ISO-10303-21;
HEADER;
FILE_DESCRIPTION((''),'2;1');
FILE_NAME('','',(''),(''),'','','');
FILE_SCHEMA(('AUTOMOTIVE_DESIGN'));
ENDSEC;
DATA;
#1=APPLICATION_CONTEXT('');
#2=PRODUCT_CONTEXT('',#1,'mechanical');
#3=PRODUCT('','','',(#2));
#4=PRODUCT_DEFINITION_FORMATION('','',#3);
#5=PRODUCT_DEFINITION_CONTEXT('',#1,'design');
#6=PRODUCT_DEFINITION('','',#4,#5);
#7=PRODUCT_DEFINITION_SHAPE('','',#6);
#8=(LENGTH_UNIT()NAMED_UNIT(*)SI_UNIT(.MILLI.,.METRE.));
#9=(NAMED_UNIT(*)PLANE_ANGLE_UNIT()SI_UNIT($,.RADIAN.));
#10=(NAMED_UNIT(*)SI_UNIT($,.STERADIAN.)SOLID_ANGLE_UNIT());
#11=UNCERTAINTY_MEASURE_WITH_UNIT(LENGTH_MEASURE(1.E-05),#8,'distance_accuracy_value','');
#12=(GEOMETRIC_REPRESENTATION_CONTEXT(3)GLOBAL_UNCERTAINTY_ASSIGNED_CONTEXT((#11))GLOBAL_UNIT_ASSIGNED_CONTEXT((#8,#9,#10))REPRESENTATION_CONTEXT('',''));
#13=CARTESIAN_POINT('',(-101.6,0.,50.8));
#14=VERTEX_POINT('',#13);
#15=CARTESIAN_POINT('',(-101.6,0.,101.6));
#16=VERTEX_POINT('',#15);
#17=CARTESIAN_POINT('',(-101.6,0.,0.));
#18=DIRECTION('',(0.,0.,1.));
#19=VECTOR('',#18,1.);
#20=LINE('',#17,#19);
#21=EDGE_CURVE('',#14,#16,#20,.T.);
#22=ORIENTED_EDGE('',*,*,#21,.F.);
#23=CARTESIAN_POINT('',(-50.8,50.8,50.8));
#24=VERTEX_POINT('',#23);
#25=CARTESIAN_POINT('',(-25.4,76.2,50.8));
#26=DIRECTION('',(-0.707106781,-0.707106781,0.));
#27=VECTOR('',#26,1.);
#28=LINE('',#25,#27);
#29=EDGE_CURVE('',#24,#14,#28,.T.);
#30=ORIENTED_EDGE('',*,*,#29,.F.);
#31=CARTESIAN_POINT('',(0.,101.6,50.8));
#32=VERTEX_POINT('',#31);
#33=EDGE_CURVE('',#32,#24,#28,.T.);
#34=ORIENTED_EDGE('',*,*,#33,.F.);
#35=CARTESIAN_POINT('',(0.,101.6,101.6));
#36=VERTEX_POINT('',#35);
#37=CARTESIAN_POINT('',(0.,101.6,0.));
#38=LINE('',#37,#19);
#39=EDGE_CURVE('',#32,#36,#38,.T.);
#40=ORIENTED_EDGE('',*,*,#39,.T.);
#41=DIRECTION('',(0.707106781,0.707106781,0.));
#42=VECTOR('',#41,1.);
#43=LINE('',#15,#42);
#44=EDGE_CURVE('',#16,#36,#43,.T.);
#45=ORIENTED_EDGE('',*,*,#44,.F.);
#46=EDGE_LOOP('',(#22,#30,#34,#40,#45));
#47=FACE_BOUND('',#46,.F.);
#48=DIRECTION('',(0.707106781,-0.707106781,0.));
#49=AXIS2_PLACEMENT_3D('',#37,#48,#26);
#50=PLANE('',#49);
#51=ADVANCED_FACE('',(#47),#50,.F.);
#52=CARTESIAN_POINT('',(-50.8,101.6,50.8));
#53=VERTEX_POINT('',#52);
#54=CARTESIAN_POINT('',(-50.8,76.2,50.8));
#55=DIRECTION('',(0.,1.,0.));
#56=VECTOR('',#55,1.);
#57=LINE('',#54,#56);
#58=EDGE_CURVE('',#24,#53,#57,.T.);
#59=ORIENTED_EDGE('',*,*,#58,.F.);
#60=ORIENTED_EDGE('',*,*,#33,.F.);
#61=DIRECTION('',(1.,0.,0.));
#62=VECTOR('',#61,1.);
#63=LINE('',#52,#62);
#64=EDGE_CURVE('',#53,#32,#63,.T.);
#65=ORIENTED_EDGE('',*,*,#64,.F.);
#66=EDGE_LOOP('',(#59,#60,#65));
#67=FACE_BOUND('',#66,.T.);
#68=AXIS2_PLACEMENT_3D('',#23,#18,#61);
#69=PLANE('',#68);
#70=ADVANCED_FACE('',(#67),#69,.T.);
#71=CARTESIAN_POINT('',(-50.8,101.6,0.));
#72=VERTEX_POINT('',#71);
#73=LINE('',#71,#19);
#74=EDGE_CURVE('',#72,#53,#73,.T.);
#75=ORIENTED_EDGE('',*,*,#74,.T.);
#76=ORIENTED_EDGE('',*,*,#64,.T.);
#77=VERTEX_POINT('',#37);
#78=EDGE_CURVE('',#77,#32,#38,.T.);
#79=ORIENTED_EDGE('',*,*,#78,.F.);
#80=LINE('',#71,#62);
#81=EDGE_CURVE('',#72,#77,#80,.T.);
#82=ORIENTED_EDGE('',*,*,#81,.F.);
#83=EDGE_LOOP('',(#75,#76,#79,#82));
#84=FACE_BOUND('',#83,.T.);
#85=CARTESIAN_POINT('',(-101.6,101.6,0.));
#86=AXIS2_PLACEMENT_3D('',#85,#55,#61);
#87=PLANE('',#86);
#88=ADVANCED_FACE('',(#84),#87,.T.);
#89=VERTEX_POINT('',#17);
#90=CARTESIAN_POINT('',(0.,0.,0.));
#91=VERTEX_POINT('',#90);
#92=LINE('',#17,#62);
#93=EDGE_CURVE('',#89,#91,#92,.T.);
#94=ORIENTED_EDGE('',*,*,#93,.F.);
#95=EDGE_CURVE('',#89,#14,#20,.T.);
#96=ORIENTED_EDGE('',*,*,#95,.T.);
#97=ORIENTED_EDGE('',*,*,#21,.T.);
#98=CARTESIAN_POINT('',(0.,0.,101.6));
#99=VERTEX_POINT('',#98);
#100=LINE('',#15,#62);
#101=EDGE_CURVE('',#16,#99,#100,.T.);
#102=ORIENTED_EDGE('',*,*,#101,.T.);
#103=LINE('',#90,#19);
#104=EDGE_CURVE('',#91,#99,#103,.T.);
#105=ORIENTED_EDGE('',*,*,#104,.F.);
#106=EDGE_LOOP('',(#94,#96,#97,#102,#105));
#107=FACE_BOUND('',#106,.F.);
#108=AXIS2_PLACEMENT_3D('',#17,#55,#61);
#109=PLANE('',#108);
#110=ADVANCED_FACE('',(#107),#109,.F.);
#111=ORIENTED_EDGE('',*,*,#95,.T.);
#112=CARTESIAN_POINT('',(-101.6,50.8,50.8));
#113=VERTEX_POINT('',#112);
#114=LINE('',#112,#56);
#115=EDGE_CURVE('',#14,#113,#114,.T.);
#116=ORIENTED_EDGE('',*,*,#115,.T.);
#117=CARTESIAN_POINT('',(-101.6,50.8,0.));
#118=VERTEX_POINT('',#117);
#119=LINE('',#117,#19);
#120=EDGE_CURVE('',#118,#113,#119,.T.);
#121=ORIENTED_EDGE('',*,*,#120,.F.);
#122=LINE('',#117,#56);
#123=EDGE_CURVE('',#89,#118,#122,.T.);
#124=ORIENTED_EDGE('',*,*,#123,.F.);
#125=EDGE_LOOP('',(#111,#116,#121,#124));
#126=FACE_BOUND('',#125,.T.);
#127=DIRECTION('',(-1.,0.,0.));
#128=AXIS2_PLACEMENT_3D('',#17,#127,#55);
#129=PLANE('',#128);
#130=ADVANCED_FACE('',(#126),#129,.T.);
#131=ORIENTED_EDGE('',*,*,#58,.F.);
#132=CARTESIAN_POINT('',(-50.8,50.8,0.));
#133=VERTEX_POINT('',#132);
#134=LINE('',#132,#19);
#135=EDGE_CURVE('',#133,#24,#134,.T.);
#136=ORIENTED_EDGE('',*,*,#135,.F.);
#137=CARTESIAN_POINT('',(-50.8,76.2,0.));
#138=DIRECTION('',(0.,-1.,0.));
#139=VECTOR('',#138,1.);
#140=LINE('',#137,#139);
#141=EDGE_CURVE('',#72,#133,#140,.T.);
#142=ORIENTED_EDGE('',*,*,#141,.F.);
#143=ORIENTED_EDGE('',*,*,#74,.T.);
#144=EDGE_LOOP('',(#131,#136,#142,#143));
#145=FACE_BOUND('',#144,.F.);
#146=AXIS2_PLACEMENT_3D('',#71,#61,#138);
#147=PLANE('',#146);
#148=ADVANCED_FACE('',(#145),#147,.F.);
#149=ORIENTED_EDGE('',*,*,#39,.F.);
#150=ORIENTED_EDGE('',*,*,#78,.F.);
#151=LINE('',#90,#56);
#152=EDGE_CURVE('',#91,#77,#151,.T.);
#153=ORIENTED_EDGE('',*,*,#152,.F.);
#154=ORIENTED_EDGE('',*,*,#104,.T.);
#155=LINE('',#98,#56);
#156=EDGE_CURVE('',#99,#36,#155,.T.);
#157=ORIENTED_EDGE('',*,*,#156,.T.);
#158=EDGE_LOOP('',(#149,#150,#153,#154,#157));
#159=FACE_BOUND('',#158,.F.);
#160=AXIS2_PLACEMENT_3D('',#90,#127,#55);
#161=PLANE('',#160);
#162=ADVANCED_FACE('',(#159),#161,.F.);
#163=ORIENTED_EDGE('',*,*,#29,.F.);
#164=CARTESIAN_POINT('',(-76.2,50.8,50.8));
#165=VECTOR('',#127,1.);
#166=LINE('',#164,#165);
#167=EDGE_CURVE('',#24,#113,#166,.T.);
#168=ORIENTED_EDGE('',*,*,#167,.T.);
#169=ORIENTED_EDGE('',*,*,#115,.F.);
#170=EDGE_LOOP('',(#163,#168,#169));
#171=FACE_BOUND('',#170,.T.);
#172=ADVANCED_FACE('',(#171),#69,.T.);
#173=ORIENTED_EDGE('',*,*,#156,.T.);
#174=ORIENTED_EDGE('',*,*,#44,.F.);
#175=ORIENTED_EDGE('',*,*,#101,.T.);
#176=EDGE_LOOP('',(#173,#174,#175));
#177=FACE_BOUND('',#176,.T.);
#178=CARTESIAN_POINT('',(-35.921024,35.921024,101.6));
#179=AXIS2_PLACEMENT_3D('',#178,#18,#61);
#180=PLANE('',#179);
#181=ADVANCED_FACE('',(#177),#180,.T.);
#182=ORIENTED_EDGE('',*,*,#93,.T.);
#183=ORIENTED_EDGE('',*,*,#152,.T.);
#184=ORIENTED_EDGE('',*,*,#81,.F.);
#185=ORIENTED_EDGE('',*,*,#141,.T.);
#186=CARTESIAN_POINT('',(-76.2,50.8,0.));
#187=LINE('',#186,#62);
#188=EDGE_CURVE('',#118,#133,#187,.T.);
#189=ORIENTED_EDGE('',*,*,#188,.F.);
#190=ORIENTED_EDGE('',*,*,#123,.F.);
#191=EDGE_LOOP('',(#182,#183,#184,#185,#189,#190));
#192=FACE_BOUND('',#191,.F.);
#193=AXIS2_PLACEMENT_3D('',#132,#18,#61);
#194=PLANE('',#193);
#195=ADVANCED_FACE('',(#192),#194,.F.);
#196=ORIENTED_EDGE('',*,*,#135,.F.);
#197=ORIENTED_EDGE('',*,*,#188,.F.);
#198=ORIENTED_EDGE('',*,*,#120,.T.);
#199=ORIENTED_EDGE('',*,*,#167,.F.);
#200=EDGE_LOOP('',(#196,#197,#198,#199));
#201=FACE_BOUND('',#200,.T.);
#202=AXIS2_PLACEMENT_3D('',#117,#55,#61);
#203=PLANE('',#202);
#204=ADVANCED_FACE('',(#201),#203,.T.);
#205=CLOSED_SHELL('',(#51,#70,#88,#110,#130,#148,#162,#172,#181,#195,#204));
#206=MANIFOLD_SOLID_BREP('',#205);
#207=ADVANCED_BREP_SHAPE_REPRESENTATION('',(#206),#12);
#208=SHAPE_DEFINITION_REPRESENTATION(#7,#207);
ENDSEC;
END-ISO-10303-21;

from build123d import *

# Parameters (mm, degrees)
F1_DEPTH = 101.6
F2_W     = 101.6
F2_H     = 101.6
F3_DEPTH = 50.8
F4_W     = 50.8
F4_H     = 50.8
F5_DEPTH = 101.601


with BuildPart() as f1:
    # F0 (on Top) → F1 (new body)
    with BuildSketch(Plane.XY):
        Polygon((-101.6, 0), (0, 0), (0, 101.6), align=None)
    extrude(amount=F1_DEPTH)

    # F2 (on Top) → F3 (join)
    with BuildSketch(Plane.XY):
        with Locations((-50.8, 50.8)):
            Rectangle(F2_W, F2_H)
    extrude(amount=F3_DEPTH)

    # F4 (on face) → F5 (cut, through all)
    with BuildSketch(Plane(origin=(0, 0, 0), x_dir=(1, 0, 0), z_dir=(0, 0, -1))):
        with Locations((-76.2, -76.2)):
            Rectangle(F4_W, F4_H)
    extrude(amount=-F5_DEPTH, mode=Mode.SUBTRACT)


solid = f1.part
